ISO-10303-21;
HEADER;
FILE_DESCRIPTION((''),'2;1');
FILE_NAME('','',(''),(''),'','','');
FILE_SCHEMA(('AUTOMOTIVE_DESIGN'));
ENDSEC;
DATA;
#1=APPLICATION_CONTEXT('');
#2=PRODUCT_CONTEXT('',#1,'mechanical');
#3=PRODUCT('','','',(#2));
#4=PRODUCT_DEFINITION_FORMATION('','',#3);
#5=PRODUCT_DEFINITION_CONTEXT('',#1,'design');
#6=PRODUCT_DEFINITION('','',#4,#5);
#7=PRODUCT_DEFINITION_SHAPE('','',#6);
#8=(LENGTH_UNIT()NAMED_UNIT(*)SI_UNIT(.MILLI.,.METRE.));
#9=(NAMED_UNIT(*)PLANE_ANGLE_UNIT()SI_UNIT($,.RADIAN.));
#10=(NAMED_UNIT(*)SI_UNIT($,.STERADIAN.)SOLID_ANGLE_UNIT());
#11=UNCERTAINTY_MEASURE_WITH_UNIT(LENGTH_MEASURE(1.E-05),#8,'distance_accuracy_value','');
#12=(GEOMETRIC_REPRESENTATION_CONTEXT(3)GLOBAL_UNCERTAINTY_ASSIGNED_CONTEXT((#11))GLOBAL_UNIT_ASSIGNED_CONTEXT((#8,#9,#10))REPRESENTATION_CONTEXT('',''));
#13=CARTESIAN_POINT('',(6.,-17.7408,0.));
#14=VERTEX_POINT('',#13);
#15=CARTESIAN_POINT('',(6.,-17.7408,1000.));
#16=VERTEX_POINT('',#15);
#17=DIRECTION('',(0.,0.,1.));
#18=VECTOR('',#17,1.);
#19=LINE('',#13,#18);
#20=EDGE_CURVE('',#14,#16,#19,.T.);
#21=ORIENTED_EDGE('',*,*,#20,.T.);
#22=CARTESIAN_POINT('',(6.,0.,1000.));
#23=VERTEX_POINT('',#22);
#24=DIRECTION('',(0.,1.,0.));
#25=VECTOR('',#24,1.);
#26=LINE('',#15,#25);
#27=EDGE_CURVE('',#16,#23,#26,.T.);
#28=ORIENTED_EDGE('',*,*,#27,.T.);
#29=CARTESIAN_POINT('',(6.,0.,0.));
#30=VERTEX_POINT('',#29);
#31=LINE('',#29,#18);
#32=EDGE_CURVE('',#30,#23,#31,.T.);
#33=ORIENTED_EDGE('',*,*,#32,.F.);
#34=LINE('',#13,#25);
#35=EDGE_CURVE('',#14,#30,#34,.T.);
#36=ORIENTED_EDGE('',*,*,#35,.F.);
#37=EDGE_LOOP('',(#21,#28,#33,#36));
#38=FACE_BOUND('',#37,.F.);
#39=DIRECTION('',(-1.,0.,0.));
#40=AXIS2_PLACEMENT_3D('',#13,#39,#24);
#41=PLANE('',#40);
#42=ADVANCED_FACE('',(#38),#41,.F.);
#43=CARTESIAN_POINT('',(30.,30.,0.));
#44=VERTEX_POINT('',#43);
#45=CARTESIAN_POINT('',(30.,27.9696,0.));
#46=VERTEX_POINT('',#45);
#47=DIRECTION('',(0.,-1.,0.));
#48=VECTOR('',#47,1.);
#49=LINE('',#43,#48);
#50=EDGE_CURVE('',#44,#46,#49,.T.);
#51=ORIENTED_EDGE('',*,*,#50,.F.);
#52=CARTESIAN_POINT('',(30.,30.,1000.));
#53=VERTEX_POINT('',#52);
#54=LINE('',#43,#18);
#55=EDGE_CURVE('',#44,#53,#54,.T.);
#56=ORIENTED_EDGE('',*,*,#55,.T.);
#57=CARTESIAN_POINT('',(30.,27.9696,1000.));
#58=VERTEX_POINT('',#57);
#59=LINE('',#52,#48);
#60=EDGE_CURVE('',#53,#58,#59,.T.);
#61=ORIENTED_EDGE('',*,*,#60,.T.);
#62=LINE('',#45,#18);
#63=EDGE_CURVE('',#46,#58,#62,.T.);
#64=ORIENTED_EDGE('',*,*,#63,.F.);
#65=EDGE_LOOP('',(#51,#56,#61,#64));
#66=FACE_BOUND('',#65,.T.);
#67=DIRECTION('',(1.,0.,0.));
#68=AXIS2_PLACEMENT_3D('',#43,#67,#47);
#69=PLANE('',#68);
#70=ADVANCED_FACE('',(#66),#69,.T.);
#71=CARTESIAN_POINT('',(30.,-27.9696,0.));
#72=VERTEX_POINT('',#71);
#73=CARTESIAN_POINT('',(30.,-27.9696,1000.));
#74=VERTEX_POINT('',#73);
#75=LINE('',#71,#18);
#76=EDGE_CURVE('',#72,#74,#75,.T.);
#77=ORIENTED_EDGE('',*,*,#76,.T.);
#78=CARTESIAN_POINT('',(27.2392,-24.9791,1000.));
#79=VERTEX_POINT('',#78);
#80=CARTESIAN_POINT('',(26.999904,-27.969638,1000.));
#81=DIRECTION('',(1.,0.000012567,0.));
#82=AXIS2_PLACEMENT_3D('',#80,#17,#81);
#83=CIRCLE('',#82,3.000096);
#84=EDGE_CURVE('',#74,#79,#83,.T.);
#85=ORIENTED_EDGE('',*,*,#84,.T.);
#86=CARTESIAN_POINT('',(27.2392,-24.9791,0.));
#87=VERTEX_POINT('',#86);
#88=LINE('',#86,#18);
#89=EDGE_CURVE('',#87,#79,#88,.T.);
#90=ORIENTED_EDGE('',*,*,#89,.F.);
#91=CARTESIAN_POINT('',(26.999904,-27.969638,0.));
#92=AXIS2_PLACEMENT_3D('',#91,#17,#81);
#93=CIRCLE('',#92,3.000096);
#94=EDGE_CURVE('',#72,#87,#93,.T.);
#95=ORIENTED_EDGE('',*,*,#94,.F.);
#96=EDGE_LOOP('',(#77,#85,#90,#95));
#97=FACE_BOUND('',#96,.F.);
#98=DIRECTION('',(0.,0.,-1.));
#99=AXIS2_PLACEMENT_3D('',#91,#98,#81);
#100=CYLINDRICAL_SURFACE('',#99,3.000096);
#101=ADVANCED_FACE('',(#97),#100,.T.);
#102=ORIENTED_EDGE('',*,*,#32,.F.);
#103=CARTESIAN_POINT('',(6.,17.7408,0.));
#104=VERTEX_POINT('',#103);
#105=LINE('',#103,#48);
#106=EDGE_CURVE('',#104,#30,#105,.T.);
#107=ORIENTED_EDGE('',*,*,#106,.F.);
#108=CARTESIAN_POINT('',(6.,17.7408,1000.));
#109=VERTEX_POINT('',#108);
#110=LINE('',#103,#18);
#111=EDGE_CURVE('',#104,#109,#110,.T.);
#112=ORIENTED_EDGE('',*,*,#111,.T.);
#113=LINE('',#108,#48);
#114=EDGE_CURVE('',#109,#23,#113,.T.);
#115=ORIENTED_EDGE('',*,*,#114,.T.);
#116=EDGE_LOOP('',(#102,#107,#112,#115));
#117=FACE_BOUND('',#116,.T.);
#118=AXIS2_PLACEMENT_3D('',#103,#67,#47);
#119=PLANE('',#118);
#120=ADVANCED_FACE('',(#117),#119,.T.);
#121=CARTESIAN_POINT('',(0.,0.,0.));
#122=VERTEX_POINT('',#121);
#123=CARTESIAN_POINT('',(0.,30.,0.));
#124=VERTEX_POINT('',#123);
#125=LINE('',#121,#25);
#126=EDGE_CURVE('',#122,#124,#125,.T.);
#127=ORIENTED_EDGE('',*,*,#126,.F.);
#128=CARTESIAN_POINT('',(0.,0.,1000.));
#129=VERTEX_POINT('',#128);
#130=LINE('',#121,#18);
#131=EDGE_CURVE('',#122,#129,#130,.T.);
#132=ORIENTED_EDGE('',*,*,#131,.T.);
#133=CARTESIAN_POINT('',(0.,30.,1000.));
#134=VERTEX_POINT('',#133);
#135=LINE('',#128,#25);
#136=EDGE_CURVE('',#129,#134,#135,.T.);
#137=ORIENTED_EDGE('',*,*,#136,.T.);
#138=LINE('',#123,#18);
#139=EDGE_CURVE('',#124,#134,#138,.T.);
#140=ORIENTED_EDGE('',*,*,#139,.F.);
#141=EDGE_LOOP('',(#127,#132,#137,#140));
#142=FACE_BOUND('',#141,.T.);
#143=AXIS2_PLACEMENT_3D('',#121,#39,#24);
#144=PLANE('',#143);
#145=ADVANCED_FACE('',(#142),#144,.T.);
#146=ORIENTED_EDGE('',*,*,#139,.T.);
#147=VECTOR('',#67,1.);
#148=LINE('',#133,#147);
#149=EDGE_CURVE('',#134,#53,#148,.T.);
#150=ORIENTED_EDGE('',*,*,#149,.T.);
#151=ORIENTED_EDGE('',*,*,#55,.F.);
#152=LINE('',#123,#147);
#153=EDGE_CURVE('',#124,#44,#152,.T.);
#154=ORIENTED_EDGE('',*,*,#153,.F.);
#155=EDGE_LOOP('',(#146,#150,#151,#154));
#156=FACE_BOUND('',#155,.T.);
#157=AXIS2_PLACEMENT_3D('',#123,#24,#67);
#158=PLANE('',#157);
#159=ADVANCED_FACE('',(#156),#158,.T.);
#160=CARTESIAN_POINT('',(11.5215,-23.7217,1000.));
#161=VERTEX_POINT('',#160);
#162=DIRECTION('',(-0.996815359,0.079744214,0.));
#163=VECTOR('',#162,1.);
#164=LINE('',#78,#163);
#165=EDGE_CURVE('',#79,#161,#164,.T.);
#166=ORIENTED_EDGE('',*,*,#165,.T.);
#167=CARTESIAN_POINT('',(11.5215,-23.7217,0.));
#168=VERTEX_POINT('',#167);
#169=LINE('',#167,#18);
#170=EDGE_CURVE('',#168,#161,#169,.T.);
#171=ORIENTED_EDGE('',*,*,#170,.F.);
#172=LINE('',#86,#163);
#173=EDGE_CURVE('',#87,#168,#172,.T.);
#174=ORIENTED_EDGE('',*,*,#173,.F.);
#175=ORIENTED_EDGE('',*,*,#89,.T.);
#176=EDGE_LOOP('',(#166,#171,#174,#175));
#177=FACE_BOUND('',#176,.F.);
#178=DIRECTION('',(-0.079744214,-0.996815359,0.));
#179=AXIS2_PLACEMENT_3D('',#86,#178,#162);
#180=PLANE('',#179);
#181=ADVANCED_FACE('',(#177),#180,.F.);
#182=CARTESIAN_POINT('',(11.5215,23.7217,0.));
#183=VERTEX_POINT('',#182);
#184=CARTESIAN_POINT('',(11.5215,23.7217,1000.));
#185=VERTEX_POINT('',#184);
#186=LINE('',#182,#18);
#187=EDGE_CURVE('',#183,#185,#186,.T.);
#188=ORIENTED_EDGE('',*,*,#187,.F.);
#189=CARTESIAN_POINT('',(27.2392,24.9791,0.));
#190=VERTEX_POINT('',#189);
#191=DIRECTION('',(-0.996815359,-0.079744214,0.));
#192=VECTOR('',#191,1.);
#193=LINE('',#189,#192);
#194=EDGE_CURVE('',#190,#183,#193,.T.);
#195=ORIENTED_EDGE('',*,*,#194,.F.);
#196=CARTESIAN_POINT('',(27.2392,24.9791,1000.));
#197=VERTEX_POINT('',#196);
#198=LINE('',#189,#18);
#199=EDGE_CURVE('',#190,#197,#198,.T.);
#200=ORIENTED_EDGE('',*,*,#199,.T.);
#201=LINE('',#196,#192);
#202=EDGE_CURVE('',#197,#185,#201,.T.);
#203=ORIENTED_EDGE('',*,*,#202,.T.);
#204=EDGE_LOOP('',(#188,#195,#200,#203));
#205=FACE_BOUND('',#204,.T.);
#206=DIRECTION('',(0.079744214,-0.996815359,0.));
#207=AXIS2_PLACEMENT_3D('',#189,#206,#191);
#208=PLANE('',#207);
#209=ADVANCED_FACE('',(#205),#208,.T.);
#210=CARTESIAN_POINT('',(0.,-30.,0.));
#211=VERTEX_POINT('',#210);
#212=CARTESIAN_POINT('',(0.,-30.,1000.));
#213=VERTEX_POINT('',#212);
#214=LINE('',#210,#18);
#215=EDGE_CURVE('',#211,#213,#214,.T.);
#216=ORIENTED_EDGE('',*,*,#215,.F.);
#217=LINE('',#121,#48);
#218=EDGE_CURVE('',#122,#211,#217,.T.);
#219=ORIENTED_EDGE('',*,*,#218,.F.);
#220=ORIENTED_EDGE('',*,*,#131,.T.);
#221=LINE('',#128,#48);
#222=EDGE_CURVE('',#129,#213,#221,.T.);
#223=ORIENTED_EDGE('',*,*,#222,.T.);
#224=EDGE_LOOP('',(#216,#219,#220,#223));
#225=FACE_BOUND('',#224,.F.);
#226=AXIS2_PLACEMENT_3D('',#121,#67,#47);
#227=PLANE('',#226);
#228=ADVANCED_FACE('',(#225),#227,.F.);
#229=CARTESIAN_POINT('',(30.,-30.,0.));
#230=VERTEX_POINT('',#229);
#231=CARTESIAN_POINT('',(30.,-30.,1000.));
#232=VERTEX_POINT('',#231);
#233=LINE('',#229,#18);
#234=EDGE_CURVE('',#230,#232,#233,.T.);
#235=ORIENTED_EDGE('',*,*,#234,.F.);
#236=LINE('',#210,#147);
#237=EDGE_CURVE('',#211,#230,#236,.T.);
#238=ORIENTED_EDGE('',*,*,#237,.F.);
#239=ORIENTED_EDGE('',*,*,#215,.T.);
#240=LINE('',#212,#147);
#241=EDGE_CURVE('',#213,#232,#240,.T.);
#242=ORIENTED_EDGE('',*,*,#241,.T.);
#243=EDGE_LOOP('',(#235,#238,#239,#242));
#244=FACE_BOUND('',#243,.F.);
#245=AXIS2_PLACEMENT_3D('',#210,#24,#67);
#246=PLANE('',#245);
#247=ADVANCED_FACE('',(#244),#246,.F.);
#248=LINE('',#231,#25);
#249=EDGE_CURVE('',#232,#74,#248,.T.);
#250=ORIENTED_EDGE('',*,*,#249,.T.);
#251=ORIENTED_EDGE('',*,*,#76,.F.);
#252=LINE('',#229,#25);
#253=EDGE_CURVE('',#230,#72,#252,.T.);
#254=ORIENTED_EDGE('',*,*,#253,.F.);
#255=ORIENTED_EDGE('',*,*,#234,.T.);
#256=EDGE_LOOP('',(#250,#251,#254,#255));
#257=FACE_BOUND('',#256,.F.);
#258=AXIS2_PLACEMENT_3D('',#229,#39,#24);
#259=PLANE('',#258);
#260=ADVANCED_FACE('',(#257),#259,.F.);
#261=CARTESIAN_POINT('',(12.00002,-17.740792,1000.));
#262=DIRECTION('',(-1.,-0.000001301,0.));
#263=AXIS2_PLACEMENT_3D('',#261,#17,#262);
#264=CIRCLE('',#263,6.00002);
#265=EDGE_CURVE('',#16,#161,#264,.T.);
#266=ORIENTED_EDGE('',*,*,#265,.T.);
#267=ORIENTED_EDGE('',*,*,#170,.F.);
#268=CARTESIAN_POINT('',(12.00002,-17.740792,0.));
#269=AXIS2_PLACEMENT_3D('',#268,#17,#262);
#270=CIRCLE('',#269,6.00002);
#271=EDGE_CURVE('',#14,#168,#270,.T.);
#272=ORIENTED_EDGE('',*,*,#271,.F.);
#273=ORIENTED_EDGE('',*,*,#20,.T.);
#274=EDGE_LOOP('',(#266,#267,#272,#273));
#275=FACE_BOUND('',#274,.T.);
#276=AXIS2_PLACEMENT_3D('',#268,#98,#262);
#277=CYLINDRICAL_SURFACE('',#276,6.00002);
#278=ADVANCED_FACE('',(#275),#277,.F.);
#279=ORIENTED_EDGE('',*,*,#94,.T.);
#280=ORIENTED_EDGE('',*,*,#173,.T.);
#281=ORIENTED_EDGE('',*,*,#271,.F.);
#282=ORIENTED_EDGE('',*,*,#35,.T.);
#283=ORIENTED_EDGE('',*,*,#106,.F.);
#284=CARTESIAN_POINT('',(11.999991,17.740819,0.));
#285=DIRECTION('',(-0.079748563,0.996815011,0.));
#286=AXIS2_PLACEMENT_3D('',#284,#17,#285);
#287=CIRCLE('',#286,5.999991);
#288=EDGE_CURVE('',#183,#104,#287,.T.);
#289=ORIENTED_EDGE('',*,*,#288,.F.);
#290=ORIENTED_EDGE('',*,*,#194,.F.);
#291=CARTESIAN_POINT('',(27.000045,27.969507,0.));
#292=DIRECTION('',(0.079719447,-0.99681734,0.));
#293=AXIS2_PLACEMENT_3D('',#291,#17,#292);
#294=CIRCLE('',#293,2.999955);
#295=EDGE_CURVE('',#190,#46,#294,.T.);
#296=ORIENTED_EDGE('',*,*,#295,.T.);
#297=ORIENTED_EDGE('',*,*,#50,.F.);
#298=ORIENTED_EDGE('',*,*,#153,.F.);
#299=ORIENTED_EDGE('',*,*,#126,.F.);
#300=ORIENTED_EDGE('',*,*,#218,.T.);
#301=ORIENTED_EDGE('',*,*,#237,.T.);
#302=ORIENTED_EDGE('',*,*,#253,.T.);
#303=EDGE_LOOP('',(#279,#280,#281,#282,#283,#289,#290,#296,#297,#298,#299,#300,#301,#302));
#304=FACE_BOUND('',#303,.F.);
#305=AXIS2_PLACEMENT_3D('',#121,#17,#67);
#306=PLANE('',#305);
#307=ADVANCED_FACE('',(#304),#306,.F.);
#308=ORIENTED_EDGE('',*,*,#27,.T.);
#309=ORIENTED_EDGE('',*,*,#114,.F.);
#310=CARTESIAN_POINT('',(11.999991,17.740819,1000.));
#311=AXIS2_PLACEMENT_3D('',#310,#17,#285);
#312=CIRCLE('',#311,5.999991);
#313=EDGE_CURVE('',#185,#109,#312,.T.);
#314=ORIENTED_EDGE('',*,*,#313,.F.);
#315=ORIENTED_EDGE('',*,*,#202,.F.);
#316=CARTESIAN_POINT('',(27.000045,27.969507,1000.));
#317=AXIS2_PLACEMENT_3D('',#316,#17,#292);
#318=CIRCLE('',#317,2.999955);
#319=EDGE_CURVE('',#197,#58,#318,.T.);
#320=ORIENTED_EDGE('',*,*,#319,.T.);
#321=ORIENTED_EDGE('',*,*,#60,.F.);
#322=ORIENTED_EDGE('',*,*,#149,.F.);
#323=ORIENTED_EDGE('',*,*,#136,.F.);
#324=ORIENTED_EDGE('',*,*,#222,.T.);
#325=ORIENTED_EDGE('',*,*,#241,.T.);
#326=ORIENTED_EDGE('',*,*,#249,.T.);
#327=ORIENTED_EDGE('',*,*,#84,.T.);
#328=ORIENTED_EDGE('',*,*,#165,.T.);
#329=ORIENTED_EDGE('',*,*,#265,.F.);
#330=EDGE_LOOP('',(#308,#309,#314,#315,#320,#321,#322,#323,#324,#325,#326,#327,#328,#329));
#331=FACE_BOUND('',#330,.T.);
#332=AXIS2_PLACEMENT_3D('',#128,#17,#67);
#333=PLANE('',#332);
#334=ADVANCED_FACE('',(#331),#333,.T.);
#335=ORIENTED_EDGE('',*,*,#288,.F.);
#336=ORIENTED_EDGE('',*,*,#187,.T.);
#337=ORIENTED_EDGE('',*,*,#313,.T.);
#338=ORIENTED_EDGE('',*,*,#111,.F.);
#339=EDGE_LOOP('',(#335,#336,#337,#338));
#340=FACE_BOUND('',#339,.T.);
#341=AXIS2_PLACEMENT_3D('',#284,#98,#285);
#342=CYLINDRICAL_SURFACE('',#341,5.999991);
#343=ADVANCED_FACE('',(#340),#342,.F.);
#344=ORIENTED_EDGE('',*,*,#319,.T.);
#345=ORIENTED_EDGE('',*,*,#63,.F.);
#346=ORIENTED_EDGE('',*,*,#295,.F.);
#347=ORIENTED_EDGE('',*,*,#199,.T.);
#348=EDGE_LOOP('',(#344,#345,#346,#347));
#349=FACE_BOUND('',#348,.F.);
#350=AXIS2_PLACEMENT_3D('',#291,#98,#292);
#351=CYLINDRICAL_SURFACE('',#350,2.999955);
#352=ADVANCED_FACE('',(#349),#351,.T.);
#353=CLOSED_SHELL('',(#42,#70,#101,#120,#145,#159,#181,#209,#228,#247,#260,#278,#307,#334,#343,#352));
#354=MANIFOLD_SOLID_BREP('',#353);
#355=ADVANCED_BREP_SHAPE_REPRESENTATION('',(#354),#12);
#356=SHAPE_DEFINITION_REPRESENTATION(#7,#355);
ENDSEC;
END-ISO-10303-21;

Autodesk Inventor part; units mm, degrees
ref_plane "YZ Plane" through (0, 0, 0) normal (1, 0, 0) x (0, 1, 0)
ref_plane "Start plane" through (0, 0, 0) normal (0, 0, 1) x (1, 0, 0)
ref_plane "End plane" through (0, 0, 1000) normal (0, 0, 1) x (1, 0, 0)
sketch "Sketch" plane through (0, 0, 0) normal (0, 0, 1) x (1, 0, 0)
  line L0 (0, 0) -> (0, 30)
  line L1 (0, 30) -> (30, 30)
  line L2 (30, 30) -> (30, 27.9696)
  line L3 (27.2392, 24.9791) -> (11.5215, 23.7217)
  line L4 (6, 17.7408) -> (6, 0)
  line L5 (6, 0) -> (0, 0) construction
  line L6 (15, 30) -> (15, 24) construction
  line L7 (30, 25.2) -> (30, 24) construction
  line L8 (30, 24) -> (15, 24) construction
  line L9 (0, 15) -> (0, -27) construction
  line L10 (-5.539, 0) -> (16.0067, 0) construction
  line L11 (0, 0) -> (0, -30)
  line L12 (0, -30) -> (30, -30)
  line L13 (30, -30) -> (30, -27.9696)
  line L14 (27.2392, -24.9791) -> (11.5215, -23.7217)
  line L15 (6, -17.7408) -> (6, 0)
  arc A0 (11.5215, 23.7217) -> (6, 17.7408) centre (12, 17.7408) ccw
  arc A1 (6, -17.7408) -> (11.5215, -23.7217) centre (12, -17.7408) ccw
  arc A2 (27.2392, 24.9791) -> (30, 27.9696) centre (27, 27.9696) ccw
  arc A3 (30, -27.9696) -> (27.2392, -24.9791) centre (27, -27.9696) ccw
  line L16 (0, 23.4) -> (0, -35.4) construction
  line L17 (-9.8481, 0) -> (20.3158, 0) construction
  point P0 (6, 23.28)
  point P1 (30, -25.2)
  point P2 (6, -23.28)
  point P3 (15, -30)
  point P4 (15, -24)
  dimension "d0" = 6
  dimension "d1" = 30
  dimension "d2" = 30
  dimension "d3" = 6
  dimension "d4" = 15
  dimension "d5" = 1.2
  dimension "d23" = 6
  dimension "d24" = 3
  dimension "d25" = 0
extrude "Body" add sketch "Sketch" along normal up to surface (1000 mm away) from surface at 0
sketch "Sketch3" plane through (0, 0, 0) normal (0, 0, 1) x (1, 0, 0)
  line L0 (0, 0) -> (10, 0)
ref_plane "Work Plane3" through (0, 0, 0) normal (0, -1, 0) x (1, 0, 0)
sketch "Sketch4" plane through (0, 0, 0) normal (0, -1, 0) x (1, 0, 0)
  line L0 (-2, 0) -> (12, 0)
  line L1 (-2, 1000) -> (12, 1000)
  dimension "d29" = 1000
equation "\"d0\" = G_T"
equation "\"d1\" = 0.5 * G_H"
equation "\"d2\" = G_W"
equation "\"d3\" = G_T1"
equation "\"d4\" = G_C"
equation "\"d23\" = G_IR"
equation "\"d24\" = G_ER"
equation "\"d6\" = G_L"
equation "\"G_W\" = 30"
equation "\"G_T\" = 6"
equation "\"G_T1\" = 6"
equation "\"G_NG\" = 0.08"
equation "\"G_ER\" = 3"
equation "\"G_IR\" = 6"
equation "\"G_C\" = 15"
equation "\"G_L\" = d29"
equation "\"ex\" = 0"
equation "\"G_OFFSET_START\" = 0"
equation "\"G_OFFSET_END\" = 0"
equation "\"G_H\" = 60"
properties part number "DIN1026-1 - U 60 - 1000" material "Steel, Mild"
